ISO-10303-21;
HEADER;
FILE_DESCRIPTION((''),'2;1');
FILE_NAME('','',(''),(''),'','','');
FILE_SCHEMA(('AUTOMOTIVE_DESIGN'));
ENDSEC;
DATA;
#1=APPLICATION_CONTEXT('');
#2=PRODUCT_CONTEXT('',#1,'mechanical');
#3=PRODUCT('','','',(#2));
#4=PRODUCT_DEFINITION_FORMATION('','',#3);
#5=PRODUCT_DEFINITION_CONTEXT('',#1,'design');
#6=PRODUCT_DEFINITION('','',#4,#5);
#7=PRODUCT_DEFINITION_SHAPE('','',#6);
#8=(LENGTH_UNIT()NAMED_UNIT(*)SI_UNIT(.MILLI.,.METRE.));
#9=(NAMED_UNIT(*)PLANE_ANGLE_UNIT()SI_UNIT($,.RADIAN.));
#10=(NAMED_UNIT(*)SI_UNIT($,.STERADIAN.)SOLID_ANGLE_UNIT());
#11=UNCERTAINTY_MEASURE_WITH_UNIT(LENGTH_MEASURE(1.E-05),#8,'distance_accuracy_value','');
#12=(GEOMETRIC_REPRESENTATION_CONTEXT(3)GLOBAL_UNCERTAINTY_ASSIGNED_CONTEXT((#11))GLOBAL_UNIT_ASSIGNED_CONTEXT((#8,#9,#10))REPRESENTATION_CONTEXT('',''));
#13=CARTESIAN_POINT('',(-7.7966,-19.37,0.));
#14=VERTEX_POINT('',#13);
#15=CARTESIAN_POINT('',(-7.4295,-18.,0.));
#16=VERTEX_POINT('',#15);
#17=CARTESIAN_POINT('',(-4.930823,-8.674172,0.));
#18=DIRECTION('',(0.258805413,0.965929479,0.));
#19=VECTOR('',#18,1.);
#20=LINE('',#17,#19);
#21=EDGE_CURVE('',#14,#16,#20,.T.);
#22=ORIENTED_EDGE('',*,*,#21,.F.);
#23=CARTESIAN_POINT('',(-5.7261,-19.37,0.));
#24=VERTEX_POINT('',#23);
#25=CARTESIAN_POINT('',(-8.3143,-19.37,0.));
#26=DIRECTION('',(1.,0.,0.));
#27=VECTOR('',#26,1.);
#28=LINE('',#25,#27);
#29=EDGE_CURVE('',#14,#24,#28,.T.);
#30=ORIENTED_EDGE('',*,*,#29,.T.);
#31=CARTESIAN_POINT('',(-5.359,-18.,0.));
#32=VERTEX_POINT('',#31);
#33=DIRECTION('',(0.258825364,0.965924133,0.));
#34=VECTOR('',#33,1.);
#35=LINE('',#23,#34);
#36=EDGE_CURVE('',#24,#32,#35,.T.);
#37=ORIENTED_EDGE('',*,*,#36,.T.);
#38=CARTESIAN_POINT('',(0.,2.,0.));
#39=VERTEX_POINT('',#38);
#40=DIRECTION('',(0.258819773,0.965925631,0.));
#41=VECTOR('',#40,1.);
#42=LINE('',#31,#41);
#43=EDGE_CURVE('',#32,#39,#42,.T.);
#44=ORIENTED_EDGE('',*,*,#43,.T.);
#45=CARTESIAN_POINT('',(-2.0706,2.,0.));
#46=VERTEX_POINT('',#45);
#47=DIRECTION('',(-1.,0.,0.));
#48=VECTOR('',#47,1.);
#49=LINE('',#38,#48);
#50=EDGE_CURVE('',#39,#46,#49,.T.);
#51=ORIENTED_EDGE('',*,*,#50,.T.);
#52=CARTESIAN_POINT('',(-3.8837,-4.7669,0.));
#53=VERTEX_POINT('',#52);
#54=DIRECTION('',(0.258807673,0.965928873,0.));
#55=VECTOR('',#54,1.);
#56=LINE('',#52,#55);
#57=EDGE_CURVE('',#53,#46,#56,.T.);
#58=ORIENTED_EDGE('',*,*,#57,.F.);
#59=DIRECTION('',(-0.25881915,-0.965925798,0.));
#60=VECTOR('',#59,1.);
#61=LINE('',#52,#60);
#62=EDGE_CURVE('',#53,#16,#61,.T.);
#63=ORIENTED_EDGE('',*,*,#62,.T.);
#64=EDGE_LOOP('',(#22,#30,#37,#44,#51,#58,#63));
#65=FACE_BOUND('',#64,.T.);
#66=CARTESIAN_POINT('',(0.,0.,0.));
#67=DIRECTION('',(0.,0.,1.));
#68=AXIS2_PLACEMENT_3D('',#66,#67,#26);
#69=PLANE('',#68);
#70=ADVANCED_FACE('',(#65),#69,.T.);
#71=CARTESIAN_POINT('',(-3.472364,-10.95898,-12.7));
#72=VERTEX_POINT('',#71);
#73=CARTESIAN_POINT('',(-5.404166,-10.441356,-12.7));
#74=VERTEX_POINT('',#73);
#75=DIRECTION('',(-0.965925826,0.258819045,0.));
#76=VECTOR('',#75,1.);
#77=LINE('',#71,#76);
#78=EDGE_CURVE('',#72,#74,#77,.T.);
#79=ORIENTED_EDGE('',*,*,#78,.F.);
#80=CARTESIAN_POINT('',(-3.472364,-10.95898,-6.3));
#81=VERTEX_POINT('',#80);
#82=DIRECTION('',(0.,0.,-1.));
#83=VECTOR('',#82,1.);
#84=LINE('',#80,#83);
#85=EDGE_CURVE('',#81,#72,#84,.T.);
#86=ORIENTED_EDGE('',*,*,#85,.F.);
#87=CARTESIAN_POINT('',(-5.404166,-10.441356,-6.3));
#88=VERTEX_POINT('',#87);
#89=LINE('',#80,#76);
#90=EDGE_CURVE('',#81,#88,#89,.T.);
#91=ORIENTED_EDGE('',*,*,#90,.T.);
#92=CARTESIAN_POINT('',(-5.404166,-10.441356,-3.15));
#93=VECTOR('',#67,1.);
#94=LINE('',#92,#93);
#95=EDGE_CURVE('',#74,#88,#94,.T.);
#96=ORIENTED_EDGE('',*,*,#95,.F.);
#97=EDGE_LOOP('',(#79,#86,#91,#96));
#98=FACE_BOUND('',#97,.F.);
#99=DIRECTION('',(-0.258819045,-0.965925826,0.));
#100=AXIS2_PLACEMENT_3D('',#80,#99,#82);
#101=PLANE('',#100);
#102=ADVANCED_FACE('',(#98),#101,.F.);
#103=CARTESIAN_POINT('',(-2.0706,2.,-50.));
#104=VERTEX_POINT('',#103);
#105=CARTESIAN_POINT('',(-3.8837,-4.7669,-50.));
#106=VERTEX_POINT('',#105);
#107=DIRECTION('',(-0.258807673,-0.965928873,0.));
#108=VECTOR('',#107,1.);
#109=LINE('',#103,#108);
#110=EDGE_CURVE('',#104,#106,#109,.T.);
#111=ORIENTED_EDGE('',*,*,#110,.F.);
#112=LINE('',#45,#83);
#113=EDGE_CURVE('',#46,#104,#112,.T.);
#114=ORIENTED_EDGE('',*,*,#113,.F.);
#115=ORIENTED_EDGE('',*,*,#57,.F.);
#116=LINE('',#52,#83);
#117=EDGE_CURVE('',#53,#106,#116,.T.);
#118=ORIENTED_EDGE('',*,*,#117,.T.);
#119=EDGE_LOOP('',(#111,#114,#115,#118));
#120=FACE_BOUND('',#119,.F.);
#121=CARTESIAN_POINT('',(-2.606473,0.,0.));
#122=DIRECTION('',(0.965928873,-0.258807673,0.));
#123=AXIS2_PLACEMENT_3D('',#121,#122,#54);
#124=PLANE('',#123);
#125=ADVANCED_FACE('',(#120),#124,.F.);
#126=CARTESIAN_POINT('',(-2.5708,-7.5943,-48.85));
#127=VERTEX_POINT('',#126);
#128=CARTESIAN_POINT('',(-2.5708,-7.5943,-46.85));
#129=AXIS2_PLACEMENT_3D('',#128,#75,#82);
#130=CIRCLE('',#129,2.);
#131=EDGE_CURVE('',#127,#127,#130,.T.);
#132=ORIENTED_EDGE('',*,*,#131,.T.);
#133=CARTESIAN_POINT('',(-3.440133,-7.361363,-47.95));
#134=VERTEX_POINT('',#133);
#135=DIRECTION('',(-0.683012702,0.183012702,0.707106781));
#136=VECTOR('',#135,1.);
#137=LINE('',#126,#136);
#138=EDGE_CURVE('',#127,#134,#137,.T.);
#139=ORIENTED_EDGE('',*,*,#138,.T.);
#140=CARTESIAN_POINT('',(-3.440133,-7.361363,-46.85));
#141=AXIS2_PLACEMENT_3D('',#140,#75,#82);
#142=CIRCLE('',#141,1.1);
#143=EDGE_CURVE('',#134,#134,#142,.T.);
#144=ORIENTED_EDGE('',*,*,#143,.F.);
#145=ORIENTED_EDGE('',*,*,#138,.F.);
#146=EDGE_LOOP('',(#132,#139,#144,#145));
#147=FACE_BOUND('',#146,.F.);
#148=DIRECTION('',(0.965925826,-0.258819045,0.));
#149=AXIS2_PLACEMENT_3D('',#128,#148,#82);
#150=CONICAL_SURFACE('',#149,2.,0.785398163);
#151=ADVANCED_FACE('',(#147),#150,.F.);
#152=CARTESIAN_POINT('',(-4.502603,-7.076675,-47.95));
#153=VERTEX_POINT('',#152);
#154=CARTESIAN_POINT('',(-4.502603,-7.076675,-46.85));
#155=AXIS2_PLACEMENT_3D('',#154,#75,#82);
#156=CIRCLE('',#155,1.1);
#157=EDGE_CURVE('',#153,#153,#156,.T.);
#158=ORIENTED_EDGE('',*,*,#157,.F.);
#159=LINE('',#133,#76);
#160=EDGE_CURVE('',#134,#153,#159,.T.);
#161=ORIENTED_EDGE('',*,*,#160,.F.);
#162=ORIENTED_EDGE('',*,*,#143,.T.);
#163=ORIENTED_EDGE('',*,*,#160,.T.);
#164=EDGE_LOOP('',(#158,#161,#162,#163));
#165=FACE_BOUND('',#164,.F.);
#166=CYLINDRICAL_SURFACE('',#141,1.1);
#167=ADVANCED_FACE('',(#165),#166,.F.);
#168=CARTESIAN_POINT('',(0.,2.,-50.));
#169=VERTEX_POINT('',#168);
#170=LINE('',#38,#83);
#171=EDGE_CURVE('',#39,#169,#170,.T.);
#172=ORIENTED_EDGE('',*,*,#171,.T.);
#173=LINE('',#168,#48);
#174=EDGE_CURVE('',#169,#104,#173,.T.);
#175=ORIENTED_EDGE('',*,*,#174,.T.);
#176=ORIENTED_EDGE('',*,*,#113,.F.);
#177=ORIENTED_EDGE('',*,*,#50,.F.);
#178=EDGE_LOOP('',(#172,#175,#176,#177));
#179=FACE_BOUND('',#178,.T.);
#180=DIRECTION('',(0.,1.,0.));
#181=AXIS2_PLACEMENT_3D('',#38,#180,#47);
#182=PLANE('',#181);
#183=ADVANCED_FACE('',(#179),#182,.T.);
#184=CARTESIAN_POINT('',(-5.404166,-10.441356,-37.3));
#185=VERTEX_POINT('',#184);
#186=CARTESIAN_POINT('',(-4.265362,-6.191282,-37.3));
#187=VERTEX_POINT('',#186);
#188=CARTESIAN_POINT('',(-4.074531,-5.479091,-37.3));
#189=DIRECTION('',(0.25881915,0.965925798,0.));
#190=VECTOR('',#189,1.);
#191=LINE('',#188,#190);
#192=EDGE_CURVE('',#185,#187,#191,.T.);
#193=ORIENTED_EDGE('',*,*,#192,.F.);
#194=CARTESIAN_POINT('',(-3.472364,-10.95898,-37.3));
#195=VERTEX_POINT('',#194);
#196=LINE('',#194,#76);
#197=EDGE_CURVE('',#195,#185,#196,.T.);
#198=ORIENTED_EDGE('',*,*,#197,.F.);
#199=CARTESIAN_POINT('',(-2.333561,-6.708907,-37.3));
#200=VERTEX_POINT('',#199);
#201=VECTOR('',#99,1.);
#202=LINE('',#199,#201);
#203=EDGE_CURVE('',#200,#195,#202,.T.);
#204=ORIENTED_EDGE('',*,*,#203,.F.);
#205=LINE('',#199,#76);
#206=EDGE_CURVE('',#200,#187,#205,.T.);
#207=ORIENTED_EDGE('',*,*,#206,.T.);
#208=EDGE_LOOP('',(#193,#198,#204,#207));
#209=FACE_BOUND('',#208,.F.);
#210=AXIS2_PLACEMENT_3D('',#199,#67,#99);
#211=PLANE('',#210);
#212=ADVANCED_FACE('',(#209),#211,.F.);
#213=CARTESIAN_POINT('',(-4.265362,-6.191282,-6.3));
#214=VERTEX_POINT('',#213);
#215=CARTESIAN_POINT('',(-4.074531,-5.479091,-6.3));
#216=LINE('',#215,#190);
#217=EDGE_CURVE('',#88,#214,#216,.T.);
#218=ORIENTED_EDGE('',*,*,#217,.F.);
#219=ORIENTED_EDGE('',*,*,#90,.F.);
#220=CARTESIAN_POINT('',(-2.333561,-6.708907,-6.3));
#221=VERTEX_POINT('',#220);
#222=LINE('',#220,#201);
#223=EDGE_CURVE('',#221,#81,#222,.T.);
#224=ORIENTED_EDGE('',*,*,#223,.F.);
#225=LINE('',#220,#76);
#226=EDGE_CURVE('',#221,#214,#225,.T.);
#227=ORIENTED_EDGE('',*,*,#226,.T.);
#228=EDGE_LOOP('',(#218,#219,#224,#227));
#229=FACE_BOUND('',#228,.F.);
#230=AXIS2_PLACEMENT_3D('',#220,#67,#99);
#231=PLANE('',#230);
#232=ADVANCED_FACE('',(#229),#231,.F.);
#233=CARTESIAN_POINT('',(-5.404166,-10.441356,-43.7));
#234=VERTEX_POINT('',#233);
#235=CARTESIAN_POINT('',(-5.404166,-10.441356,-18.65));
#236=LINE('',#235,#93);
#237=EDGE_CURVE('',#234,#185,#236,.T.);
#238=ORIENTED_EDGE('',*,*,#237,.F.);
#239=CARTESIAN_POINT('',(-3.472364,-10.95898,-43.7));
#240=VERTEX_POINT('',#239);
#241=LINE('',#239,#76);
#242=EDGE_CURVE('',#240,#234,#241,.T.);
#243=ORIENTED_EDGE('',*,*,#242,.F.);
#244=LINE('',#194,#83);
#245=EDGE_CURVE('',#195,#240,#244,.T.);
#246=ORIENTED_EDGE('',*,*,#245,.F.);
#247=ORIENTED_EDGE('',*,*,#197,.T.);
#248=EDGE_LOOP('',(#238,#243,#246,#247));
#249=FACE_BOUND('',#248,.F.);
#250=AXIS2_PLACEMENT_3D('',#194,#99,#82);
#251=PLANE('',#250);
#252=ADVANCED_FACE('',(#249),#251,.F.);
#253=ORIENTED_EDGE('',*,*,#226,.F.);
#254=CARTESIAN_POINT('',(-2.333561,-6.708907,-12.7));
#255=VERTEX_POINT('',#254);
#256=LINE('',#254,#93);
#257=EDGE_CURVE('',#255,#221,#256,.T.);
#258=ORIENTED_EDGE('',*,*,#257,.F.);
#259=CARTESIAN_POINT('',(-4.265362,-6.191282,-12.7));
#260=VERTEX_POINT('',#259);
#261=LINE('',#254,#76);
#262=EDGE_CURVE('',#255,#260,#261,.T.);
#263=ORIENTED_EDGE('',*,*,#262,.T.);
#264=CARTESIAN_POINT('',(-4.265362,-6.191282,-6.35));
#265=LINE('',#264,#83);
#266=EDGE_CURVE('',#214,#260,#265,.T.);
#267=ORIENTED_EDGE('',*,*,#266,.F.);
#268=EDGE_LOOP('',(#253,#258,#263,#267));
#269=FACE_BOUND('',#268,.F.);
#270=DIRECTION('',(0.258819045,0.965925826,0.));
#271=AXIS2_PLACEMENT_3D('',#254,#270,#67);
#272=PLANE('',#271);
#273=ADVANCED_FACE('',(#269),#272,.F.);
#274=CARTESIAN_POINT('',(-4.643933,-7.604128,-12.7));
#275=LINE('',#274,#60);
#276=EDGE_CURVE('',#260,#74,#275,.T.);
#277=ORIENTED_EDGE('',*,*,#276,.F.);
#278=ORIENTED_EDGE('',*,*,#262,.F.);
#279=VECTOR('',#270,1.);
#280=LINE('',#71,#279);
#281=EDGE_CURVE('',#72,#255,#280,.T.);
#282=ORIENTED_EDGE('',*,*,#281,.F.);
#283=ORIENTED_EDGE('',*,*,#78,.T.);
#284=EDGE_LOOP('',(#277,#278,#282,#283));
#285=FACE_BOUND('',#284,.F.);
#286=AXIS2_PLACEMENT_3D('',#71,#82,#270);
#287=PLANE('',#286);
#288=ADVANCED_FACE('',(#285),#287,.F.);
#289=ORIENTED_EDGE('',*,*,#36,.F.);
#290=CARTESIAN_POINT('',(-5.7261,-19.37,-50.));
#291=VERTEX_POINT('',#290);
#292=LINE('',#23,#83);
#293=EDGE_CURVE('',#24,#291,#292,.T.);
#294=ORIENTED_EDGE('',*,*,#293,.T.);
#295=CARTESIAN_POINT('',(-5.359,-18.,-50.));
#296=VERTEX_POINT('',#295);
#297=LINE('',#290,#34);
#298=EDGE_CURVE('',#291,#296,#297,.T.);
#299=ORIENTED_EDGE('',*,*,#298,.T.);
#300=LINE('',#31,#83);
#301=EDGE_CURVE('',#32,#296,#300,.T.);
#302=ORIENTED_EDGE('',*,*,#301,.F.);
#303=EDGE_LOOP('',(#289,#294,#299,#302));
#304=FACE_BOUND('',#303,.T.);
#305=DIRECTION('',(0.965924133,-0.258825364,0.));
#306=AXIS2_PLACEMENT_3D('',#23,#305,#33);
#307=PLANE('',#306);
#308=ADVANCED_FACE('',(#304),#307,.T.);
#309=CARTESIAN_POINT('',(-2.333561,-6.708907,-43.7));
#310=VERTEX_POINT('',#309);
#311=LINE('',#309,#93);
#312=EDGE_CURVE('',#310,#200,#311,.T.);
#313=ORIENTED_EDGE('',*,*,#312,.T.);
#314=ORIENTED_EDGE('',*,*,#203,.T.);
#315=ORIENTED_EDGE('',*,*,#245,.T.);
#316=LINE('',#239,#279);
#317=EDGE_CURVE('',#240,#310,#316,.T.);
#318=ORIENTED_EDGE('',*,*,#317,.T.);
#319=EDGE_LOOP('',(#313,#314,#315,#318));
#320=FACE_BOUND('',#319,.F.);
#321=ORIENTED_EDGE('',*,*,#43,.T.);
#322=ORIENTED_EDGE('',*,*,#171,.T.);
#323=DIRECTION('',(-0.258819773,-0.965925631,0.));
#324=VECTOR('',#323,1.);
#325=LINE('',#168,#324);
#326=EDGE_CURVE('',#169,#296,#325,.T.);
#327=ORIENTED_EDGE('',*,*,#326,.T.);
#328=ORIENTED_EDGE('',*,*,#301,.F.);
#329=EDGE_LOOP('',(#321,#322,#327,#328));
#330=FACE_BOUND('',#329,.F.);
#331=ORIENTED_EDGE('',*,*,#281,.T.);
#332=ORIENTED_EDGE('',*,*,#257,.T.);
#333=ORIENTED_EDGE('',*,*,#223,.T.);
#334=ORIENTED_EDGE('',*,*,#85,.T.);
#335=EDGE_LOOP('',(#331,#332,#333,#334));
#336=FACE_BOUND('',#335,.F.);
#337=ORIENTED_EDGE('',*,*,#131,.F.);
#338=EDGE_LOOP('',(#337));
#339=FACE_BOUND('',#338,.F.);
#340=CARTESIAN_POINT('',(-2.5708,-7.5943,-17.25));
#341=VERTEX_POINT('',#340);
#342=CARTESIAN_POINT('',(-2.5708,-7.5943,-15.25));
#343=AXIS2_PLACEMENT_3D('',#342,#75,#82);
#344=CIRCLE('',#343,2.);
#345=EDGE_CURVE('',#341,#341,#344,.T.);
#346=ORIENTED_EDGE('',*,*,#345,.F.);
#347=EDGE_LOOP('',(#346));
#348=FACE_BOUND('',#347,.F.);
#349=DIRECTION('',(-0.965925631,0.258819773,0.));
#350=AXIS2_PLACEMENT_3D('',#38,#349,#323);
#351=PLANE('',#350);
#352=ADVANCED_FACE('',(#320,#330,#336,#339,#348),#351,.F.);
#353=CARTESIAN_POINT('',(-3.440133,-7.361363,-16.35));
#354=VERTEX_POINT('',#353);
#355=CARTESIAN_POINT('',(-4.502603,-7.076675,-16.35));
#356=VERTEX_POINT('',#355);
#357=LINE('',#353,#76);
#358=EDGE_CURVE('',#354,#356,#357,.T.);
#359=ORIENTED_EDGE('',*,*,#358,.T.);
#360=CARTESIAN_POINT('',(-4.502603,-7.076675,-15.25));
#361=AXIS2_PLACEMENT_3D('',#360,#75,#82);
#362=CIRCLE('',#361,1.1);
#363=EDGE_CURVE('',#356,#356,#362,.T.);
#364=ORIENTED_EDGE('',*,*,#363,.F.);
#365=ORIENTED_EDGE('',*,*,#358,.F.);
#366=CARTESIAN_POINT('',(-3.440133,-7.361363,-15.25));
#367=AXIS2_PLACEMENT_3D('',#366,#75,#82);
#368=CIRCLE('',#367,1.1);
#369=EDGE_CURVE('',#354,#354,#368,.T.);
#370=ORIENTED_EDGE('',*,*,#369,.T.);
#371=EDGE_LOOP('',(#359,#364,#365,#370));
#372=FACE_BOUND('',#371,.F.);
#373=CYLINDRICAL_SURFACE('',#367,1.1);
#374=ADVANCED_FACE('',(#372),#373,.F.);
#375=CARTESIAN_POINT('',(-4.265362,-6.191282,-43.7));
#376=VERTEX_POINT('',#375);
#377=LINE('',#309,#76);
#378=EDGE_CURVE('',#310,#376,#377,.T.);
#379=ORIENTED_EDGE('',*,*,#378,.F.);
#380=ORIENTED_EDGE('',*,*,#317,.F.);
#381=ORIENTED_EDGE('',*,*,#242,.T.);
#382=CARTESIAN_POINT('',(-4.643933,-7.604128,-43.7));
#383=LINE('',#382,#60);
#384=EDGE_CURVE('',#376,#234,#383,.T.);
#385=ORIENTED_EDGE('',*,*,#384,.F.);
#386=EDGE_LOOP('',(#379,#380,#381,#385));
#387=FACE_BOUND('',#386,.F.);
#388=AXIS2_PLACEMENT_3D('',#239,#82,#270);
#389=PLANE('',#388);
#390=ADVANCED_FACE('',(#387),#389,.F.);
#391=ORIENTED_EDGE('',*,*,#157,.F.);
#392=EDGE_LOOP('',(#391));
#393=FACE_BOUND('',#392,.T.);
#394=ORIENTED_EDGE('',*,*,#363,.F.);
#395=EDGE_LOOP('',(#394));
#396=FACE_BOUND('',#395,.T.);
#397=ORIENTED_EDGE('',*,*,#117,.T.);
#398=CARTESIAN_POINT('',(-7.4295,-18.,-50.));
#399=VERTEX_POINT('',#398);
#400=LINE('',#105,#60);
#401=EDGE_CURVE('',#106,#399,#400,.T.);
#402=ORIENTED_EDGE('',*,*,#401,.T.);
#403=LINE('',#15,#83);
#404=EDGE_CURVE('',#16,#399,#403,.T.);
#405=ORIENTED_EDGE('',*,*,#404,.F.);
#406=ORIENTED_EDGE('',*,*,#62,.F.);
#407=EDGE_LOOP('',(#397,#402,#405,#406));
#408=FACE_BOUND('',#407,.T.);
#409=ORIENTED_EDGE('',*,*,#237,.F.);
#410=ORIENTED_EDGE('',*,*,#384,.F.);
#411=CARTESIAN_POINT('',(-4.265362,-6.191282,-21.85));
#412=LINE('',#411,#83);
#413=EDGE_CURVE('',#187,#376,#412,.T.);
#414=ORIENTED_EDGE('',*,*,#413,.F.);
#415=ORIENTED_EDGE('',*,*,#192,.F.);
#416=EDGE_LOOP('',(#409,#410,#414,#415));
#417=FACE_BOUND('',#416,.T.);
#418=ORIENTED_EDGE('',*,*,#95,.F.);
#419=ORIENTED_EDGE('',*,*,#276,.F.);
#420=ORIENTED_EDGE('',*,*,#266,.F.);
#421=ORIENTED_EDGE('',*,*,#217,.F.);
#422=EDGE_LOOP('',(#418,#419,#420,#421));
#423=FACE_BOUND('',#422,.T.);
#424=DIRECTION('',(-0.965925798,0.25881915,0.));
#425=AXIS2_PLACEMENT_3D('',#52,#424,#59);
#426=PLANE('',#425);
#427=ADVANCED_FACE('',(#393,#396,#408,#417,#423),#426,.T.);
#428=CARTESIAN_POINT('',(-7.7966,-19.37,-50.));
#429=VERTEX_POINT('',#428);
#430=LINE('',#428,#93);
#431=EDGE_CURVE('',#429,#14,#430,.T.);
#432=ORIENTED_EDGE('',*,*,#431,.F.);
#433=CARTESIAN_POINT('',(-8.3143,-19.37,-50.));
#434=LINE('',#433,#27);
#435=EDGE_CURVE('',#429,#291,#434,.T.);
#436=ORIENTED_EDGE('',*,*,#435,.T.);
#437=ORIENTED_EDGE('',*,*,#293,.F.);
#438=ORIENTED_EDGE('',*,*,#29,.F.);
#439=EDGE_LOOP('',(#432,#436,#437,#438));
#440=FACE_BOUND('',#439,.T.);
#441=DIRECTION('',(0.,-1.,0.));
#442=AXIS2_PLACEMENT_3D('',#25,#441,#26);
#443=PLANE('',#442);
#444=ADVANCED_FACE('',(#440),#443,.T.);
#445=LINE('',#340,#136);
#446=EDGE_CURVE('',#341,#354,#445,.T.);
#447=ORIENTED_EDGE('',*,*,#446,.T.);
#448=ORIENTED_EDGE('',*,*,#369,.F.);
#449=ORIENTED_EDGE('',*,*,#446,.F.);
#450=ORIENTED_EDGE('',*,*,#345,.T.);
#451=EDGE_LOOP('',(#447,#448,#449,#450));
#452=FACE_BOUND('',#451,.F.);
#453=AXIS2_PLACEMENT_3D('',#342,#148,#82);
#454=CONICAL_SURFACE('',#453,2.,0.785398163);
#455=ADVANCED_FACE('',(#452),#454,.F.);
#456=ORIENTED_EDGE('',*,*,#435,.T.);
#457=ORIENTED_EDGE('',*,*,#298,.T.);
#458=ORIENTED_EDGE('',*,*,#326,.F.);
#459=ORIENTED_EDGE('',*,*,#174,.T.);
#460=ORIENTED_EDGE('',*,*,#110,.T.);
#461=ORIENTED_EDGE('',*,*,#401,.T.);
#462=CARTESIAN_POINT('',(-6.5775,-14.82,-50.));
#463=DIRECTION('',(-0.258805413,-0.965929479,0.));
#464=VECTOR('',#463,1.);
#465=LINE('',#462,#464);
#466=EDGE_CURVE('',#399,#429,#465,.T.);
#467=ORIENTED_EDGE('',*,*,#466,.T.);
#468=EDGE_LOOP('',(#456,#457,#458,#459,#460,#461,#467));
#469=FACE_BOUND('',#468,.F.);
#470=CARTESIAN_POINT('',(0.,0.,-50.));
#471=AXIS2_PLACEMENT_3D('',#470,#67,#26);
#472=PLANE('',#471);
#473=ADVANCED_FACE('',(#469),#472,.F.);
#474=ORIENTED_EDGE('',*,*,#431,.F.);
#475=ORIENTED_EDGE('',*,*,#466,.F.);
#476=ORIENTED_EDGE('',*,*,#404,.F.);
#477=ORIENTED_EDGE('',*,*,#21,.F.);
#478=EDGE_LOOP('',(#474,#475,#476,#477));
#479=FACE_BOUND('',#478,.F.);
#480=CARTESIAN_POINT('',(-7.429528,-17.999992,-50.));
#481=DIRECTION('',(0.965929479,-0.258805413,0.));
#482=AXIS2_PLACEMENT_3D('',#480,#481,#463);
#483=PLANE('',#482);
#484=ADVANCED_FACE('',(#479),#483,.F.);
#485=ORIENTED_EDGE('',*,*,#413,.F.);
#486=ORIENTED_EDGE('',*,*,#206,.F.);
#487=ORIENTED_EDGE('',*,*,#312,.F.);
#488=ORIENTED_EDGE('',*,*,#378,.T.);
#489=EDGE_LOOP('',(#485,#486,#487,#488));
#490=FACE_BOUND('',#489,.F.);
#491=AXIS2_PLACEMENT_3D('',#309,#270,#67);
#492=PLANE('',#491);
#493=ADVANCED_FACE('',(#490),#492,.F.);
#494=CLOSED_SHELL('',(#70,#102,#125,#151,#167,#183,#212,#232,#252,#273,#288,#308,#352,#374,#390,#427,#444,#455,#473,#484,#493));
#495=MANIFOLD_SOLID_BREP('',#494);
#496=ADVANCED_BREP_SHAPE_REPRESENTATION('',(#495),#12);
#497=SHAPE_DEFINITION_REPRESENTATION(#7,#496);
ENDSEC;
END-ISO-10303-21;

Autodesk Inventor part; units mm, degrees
ref_plane "YZ Plane" through (0, 0, 0) normal (1, 0, 0) x (0, 1, 0)
ref_plane "XZ Plane" through (0, 0, 0) normal (0, 1, 0) x (-1, 0, 0)
ref_plane "XY Plane" through (0, 0, 0) normal (0, 0, 1) x (1, 0, 0)
sketch "Szkic1" plane through (0, 0, 0) normal (0, 0, 1) x (1, 0, 0)
  line L0 (-10.5, 0) -> (0, 0) projected
  line L1 (0, 2) -> (-10.5, 2)
  line L2 (0, 2) -> (-5.359, -18)
  line L3 (-3.8837, -4.7669) -> (-2.0706, 2)
  line L4 (-3.8837, -4.7669) -> (-7.4295, -18)
  line L5 (-7.4295, -18) -> (-5.359, -18)
  dimension "d0" = 2
  dimension "d1" = 75
  dimension "d3" = 2
  dimension "d4" = 20
extrude "Wyciągnięcie proste1" add sketch "Szkic1" against normal blind 50
sketch "Szkic2" plane through (-5.359, -18, 0) normal (0.9659, -0.2588, 0) x (0, 0, -1)
  line L0 (42.7, 8.2894) -> (42.7, 10.6894) projected
  line L1 (38.3, 8.2894) -> (42.7, 8.2894) projected
  line L2 (7.3, 8.2894) -> (11.7, 8.2894) projected
  line L3 (11.7, 8.2894) -> (11.7, 10.6894) projected
  line L4 (42.7, 8.2894) -> (38.3, 8.2894)
  line L5 (38.3, 8.2894) -> (38.3, 10.6894)
  line L6 (38.3, 10.6894) -> (42.7, 10.6894)
  line L7 (42.7, 10.6894) -> (42.7, 8.2894)
  line L8 (11.7, 8.2894) -> (7.3, 8.2894)
  line L9 (7.3, 8.2894) -> (7.3, 10.6894)
  line L10 (7.3, 10.6894) -> (11.7, 10.6894)
  line L11 (11.7, 10.6894) -> (11.7, 8.2894)
  line L12 (43.7, 11.6894) -> (37.3, 11.6894)
  line L13 (37.3, 11.6894) -> (37.3, 7.2894)
  line L14 (37.3, 7.2894) -> (43.7, 7.2894)
  line L15 (43.7, 7.2894) -> (43.7, 11.6894)
  line L16 (12.7, 11.6894) -> (6.3, 11.6894)
  line L17 (6.3, 11.6894) -> (6.3, 7.2894)
  line L18 (6.3, 7.2894) -> (12.7, 7.2894)
  line L19 (12.7, 7.2894) -> (12.7, 11.6894)
  point P0 (0, 18.7737)
  dimension "d7" = 1
  dimension "d8" = 1
extrude "Wyciągnięcie proste2" cut sketch "Szkic2" against normal through all contours L1 L5 L6 L0 | L9 L10 L3 L2 | L15 L14 L13 L12 | L19 L18 L17 L16
sketch "Szkic3" plane through (0, 0, 0) normal (0, 0, 1) x (1, 0, 0)
  line L0 (-2.0706, 2) -> (-7.4295, -18) projected
  line L1 (-7.4295, -18) -> (-5.359, -18) projected
  line L2 (-5.359, -18) -> (0, 2) projected
  line L3 (0, 2) -> (-2.0706, 2) projected
  line L4 (-30.5, -19.37) -> (-8.3143, -19.37) projected
  line L5 (-7.4295, -18) -> (-8.3143, -19.37)
  line L6 (-8.3143, -19.37) -> (-5.7261, -19.37)
  line L7 (-5.7261, -19.37) -> (-5.359, -18)
  point P0 (0, 0)
extrude "Wyciągnięcie proste3" add sketch "Szkic3" against normal up to surface (50 mm away) contours L1 L7 L6 L5
sketch "Szkic4" plane through (0, 0, -50) normal (0, 0, -1) x (-1, 0, 0)
  line L0 (6.5775, -14.82) -> (7.7966, -19.37) projected
  line L1 (30.5, -19.37) -> (8.3143, -19.37) projected
  line L2 (8.3143, -19.37) -> (5.7261, -19.37) projected
  line L3 (7.4295, -18) -> (8.3143, -19.37) projected
  point P0 (0, 0)
extrude "Wyciągnięcie proste4" cut sketch "Szkic4" against normal through all
sketch "Szkic5" plane through (0, 2, 0) normal (0.9659, -0.2588, 0) x (0, 0, -1)
  circle A0 centre (46.85, -9.9328) radius 1 projected
  circle A1 centre (30.45, -9.9328) radius 1 projected
  circle A2 centre (15.25, -9.9328) radius 1 projected
  point P0 (0, -1.9319)
hole "Otwór1" at (-2.5708, -7.5943, -46.85) at (-2.5708, -7.5943, -15.25) direction (-0.9659, 0.2588, 0) diameter 2.2 depth 2 countersink diameter 4 countersink angle 90
properties part number "noz2"
